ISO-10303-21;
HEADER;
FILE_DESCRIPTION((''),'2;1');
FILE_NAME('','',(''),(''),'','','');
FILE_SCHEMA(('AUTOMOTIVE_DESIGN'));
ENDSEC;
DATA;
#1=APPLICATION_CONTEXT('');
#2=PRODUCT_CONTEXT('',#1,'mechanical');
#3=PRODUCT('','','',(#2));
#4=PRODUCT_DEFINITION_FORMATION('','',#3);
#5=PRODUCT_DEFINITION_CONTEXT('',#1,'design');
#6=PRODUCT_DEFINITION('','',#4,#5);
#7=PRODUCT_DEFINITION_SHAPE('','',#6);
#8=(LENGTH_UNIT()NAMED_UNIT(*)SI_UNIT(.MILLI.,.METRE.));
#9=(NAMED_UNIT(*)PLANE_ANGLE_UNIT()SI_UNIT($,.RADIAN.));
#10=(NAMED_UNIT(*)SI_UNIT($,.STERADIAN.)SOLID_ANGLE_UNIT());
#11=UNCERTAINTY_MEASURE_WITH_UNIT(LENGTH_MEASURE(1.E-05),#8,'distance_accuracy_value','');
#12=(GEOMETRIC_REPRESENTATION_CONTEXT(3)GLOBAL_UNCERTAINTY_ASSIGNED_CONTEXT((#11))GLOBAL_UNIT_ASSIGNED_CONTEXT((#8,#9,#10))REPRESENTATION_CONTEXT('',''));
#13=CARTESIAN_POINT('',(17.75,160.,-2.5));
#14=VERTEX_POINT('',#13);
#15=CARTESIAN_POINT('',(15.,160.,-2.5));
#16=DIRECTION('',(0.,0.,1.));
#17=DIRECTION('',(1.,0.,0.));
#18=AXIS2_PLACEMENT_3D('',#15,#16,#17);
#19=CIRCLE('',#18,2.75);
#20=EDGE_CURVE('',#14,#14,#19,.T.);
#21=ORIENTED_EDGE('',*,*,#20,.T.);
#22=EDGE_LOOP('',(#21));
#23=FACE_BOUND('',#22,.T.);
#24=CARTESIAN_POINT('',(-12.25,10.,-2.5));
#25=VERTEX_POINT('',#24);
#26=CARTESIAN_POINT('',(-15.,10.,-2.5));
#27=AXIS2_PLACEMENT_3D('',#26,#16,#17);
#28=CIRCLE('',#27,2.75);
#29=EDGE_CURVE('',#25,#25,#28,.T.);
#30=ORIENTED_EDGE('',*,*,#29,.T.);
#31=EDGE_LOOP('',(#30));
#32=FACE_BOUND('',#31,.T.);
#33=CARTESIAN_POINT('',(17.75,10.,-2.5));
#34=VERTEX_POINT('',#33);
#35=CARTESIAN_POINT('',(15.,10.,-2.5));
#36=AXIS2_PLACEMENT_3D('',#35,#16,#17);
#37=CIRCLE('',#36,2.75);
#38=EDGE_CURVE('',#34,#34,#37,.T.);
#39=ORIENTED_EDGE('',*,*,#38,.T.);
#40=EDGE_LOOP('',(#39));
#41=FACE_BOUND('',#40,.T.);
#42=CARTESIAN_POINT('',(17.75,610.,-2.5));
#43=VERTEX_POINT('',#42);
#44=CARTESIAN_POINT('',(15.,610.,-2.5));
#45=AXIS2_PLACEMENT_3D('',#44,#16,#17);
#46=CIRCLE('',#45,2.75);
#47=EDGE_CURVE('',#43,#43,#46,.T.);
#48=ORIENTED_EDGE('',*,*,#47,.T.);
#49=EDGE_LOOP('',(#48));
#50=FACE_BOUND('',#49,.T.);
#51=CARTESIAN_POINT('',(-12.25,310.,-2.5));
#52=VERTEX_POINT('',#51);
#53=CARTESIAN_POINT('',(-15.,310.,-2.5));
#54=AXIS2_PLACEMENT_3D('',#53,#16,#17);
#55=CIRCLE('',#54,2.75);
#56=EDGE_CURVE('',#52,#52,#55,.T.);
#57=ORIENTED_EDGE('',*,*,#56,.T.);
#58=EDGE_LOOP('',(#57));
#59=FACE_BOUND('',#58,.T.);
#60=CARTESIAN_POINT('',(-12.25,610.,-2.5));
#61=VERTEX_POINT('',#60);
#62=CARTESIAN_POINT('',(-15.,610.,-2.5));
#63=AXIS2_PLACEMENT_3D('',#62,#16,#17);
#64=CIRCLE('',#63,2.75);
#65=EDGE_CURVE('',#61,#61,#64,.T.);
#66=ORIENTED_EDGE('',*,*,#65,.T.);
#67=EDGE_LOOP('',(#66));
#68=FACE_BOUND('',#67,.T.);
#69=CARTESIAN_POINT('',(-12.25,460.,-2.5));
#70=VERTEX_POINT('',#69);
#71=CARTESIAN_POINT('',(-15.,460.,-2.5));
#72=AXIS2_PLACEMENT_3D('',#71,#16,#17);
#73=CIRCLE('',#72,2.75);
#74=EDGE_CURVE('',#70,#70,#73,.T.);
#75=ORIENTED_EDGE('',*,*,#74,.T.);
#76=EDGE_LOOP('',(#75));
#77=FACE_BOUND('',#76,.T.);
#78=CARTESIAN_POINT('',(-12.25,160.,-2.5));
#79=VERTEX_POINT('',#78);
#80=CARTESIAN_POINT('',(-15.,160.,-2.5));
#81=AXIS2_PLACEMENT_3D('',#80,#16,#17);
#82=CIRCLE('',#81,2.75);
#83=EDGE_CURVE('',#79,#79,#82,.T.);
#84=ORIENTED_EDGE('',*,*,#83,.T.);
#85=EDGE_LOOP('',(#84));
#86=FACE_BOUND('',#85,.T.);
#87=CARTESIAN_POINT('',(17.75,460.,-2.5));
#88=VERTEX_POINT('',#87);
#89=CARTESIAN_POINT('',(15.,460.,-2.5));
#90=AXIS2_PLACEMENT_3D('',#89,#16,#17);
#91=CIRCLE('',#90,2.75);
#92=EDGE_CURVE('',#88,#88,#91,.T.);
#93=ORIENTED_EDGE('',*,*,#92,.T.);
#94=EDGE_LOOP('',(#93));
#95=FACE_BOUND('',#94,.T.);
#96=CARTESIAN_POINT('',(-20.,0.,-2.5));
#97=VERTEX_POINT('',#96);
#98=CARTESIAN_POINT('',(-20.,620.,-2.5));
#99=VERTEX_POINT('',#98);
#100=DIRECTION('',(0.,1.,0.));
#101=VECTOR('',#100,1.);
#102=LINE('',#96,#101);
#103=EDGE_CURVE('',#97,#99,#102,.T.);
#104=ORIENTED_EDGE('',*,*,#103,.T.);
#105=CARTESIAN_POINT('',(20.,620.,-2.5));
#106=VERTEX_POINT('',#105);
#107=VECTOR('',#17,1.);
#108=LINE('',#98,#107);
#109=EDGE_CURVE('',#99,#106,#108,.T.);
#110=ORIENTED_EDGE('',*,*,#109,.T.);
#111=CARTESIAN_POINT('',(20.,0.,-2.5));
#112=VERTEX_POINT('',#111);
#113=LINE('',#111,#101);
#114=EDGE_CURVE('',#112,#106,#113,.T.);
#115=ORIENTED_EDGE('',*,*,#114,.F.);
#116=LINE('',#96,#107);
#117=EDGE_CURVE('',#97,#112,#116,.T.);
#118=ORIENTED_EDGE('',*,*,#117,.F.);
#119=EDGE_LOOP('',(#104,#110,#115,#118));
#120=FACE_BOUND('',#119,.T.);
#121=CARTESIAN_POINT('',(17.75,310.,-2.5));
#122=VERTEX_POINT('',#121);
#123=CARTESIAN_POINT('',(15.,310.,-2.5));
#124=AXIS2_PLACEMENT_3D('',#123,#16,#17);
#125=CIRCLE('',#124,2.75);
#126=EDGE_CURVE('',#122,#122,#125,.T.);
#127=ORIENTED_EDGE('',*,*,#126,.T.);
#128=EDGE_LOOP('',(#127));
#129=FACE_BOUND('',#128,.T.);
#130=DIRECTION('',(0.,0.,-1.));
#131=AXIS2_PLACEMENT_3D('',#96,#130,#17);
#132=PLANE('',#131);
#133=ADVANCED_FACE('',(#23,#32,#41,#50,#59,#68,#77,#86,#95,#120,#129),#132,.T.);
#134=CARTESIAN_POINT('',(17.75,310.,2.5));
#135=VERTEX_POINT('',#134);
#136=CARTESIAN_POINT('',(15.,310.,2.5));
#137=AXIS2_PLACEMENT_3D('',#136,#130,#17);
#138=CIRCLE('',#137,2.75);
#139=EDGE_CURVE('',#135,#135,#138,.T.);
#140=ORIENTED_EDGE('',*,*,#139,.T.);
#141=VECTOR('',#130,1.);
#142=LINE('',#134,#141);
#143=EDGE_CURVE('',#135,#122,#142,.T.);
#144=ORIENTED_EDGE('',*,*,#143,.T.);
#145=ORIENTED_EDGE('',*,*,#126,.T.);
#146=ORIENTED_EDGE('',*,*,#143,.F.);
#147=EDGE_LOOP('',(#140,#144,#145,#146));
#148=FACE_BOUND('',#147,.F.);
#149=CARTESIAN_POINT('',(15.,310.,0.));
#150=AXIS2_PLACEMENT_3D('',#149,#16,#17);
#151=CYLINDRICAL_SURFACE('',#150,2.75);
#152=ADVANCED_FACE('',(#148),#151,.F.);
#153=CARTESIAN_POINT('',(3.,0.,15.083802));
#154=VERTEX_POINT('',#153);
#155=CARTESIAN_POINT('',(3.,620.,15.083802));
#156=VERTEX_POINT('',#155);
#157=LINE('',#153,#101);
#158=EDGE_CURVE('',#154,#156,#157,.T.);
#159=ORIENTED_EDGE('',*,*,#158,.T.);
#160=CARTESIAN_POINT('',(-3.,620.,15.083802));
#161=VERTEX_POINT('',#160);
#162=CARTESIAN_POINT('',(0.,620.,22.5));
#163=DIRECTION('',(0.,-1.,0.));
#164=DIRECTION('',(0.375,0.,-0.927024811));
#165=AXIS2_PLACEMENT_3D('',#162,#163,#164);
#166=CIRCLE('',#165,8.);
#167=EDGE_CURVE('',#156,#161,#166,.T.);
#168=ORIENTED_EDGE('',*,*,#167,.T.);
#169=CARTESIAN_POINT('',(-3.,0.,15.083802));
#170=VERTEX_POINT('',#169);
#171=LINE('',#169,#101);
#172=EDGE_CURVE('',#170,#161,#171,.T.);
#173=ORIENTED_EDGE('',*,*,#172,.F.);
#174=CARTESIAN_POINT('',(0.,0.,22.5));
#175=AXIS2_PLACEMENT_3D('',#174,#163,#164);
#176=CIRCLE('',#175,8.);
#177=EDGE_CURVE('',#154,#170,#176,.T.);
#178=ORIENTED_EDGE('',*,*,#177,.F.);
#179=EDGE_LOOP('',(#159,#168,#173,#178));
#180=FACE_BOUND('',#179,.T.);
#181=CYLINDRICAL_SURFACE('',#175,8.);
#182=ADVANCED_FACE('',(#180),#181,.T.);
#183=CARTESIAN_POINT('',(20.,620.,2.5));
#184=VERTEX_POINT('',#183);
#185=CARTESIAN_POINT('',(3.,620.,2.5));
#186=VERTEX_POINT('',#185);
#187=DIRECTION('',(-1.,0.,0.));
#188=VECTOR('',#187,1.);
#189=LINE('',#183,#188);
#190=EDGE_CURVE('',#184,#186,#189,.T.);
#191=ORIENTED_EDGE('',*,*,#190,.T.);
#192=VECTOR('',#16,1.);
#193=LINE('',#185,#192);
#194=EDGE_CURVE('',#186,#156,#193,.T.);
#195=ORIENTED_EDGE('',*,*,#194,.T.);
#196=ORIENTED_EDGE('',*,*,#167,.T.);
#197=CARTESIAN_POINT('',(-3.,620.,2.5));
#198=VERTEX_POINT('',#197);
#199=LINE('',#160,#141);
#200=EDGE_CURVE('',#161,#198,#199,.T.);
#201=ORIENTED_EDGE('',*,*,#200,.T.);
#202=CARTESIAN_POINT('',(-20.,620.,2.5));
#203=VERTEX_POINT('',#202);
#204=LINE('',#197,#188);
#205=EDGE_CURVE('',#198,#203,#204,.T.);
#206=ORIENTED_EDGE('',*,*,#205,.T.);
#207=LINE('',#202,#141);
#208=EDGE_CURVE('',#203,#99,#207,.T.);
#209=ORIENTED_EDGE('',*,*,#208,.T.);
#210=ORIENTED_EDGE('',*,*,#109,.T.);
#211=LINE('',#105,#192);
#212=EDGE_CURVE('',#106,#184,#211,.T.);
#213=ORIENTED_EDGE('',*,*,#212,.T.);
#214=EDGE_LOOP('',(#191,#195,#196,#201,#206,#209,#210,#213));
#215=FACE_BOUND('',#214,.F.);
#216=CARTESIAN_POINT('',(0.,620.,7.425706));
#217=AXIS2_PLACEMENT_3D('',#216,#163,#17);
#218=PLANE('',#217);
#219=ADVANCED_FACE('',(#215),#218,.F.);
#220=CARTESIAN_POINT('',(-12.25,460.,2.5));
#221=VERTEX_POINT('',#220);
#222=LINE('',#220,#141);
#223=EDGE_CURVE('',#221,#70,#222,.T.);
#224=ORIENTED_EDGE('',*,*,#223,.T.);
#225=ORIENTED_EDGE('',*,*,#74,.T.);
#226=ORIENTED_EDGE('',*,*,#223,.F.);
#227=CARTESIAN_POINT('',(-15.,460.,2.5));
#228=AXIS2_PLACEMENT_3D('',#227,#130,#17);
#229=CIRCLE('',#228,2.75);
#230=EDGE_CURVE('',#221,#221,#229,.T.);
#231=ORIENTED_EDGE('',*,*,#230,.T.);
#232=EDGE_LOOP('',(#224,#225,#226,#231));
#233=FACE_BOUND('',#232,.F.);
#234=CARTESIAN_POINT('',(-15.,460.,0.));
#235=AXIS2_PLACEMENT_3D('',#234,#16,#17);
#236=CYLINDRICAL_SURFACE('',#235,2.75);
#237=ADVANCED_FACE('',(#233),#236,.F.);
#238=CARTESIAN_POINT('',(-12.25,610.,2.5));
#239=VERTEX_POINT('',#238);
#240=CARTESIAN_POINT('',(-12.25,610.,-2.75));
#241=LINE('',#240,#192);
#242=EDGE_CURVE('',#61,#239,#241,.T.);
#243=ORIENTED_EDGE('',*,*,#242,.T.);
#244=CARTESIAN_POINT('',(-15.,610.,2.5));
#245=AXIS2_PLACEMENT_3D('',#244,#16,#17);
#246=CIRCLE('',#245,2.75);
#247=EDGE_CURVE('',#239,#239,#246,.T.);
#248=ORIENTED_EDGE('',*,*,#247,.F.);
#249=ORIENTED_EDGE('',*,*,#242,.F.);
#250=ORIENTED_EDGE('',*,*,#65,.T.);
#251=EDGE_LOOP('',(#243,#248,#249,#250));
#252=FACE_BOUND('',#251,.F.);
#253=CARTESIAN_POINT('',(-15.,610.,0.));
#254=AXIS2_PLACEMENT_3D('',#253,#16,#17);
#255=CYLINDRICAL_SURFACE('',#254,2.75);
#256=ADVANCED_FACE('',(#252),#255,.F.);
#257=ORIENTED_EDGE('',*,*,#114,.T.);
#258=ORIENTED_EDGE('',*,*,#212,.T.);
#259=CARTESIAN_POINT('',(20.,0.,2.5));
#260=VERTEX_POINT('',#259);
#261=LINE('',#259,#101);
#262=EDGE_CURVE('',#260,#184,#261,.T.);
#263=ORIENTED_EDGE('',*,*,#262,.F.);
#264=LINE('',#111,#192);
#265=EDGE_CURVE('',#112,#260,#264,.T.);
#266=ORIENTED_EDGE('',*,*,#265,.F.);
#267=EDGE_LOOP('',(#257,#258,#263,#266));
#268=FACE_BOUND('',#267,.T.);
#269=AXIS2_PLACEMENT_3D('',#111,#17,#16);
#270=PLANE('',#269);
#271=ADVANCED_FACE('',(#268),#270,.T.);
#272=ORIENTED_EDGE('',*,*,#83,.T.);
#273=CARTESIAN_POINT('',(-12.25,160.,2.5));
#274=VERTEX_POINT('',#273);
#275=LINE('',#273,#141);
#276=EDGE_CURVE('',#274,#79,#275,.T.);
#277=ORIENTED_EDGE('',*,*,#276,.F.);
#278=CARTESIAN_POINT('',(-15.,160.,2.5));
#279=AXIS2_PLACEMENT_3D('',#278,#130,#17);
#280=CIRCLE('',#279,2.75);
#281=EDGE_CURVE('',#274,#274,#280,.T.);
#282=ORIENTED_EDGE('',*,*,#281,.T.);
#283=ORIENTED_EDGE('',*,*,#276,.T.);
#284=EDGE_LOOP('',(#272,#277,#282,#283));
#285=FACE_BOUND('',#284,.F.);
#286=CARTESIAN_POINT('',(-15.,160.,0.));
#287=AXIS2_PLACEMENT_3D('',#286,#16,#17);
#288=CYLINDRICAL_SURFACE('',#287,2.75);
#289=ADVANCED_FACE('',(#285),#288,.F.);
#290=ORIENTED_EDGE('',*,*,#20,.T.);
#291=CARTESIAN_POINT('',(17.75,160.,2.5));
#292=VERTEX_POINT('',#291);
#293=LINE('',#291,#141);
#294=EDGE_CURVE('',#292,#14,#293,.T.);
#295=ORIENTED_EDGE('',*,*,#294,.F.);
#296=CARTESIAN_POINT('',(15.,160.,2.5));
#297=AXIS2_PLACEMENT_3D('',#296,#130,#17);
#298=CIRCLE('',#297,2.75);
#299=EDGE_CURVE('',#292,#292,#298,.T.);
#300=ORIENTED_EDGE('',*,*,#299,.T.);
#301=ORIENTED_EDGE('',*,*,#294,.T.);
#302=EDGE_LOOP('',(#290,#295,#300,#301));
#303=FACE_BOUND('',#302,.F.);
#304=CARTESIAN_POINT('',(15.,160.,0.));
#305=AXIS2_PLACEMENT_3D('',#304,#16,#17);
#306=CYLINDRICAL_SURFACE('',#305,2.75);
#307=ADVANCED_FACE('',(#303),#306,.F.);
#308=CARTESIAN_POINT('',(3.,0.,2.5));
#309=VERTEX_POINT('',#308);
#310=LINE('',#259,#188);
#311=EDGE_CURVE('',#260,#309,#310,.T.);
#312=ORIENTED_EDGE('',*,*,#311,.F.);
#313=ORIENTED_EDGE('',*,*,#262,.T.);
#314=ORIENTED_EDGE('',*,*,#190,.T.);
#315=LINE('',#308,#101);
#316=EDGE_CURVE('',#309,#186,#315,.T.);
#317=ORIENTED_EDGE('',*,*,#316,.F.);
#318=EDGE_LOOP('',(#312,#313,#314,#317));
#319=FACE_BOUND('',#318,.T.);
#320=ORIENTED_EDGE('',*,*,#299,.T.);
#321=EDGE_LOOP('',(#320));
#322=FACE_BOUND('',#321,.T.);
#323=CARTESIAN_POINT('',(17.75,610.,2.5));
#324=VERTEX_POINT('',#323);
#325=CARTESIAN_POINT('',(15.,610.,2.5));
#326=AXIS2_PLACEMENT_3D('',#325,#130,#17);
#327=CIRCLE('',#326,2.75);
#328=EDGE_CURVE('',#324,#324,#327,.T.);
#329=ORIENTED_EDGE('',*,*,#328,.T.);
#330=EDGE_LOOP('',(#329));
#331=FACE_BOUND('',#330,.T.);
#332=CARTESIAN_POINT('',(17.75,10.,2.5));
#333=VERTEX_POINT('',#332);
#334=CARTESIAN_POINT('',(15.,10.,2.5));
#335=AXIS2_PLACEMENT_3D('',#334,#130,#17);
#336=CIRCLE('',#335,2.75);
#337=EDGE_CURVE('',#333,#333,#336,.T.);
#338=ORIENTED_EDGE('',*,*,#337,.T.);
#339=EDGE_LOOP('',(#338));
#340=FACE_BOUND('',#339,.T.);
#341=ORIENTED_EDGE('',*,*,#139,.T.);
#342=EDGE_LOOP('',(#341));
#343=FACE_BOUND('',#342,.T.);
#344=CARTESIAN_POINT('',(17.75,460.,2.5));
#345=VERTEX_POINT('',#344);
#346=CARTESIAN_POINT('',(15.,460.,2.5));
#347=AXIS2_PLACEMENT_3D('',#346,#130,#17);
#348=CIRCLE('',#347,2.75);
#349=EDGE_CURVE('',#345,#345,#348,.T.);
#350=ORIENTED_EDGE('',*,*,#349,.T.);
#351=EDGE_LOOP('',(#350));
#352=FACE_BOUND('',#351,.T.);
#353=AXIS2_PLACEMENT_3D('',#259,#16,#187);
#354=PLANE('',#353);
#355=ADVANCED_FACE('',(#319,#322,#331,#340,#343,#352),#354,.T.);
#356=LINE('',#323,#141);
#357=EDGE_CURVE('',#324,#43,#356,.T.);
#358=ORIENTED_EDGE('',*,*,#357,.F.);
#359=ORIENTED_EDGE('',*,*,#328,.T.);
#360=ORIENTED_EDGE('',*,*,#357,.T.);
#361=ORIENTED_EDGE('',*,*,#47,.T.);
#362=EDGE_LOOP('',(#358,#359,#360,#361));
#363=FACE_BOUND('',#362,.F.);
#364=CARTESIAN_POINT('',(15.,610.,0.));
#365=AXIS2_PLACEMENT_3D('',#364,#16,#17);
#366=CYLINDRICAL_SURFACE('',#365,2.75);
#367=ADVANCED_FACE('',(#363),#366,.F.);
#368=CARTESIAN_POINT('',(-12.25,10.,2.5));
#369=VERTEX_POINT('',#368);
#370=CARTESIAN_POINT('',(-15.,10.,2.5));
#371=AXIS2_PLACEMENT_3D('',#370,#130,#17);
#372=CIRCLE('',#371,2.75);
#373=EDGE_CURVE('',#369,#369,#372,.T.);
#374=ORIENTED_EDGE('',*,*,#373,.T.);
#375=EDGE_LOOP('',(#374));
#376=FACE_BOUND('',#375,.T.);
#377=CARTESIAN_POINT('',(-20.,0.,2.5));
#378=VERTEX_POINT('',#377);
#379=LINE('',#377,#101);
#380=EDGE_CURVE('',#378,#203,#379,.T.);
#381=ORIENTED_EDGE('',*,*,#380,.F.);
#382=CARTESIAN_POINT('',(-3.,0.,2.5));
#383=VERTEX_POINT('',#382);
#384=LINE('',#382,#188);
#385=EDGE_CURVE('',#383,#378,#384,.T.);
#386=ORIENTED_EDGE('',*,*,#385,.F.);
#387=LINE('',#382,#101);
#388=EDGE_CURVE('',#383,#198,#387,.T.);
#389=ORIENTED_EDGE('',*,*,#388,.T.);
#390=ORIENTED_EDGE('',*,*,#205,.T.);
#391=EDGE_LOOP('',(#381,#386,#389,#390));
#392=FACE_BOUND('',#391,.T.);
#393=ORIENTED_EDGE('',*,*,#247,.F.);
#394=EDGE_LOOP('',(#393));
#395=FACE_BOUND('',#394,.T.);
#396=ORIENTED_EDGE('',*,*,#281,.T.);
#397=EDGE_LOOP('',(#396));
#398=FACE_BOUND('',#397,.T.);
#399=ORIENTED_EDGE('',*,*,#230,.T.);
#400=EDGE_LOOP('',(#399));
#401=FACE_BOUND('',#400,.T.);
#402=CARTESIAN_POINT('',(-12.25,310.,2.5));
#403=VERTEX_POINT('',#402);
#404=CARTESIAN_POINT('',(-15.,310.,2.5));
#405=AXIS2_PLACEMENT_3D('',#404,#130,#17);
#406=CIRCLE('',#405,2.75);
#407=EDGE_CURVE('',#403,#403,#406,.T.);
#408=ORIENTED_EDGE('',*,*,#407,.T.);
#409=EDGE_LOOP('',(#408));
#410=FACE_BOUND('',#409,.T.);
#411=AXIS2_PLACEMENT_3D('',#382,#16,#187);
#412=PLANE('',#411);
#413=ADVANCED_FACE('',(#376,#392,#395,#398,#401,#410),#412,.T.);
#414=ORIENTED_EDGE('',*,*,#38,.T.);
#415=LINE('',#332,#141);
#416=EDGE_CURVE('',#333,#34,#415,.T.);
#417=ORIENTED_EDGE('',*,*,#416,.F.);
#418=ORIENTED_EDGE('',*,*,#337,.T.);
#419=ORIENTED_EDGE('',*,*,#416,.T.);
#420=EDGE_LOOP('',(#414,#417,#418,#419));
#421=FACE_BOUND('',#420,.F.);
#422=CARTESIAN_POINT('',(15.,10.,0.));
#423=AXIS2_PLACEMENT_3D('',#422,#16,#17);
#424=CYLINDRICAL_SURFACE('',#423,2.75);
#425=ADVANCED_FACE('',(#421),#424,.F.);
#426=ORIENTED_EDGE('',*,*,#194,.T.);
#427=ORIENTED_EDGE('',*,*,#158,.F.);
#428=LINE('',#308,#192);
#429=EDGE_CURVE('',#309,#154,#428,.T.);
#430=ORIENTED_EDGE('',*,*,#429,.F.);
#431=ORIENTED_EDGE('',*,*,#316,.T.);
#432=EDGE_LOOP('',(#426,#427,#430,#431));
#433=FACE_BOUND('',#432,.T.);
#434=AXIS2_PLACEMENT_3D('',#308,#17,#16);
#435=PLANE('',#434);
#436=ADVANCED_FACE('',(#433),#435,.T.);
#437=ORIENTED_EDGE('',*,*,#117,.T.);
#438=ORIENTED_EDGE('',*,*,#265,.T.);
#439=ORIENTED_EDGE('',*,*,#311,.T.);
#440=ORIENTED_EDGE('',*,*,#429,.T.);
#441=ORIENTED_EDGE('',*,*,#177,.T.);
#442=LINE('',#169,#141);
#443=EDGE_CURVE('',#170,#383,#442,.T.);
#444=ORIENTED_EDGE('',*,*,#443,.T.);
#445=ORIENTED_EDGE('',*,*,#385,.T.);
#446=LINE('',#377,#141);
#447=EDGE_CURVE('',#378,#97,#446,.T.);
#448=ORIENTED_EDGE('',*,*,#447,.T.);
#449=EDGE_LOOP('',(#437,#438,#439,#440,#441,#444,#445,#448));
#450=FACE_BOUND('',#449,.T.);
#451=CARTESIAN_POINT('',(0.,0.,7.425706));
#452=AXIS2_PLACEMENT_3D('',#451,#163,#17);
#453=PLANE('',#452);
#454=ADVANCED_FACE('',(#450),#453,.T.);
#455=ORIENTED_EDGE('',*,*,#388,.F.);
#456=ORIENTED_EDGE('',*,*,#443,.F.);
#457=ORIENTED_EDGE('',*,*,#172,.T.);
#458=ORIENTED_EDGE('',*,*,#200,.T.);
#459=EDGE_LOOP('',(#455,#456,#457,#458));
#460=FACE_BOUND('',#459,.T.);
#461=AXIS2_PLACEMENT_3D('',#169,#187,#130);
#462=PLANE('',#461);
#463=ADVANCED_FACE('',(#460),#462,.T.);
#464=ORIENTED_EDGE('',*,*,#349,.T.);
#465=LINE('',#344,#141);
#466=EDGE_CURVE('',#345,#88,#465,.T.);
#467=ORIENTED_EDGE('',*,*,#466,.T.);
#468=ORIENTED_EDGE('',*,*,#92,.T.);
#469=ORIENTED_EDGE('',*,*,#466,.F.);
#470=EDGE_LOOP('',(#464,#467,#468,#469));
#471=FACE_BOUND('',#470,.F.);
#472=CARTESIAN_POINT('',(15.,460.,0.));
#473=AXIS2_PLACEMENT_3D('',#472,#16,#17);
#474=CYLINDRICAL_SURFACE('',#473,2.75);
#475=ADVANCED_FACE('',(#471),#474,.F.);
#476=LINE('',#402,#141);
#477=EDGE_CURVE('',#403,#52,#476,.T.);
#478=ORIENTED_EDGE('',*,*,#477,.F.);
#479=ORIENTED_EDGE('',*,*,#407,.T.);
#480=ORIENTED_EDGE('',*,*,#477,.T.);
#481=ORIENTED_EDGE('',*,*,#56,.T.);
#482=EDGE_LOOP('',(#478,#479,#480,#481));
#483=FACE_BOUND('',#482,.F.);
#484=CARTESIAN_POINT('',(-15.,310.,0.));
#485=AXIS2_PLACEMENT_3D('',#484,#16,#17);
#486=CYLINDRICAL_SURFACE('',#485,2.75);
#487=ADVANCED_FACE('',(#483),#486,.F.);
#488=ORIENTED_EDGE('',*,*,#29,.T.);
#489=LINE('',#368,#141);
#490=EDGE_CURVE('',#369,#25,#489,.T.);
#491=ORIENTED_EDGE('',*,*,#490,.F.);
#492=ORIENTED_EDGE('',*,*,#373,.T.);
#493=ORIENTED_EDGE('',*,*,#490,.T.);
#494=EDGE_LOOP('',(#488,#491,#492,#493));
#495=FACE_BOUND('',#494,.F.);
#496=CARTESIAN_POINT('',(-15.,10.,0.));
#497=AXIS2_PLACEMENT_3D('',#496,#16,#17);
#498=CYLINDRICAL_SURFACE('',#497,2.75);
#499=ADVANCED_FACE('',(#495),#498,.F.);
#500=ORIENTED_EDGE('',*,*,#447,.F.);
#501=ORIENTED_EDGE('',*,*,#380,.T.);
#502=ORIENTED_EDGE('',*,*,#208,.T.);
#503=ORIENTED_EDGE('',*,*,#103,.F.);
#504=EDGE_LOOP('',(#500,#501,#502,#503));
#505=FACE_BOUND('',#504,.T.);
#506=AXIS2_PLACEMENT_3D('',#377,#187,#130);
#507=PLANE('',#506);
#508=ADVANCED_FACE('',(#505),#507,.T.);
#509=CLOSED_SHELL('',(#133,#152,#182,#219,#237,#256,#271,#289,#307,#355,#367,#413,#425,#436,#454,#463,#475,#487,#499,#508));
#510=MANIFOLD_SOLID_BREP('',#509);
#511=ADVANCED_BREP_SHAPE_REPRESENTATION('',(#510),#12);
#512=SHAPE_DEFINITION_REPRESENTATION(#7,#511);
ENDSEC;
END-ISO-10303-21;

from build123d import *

# Parameters (mm, degrees)
F2_DEPTH = 620
F1_R     = 2.75
F3_DEPTH = 2.75


with BuildPart() as f2:
    # F0 (on Front) → F2 (new body)
    with BuildSketch(Plane.XZ):
        with BuildLine():
            Line((20, -2.5), (20, 2.5))
            Line((20, 2.5), (3, 2.5))
            Line((3, 2.5), (3, 15.0838015129))
            ThreePointArc((3, 15.0838015129), (0, 30.5), (-3, 15.0838015129))
            Line((-3, 15.0838015129), (-3, 2.5))
            Line((-3, 2.5), (-20, 2.5))
            Line((-20, 2.5), (-20, -2.5))
            Line((-20, -2.5), (20, -2.5))
        make_face()
    extrude(amount=-F2_DEPTH)

    # F1 (on Top) → F3 (cut, symmetric)
    with BuildSketch(Plane.XY):
        with Locations((15, 10)):
            Circle(F1_R)
        with Locations((15, 160)):
            Circle(F1_R)
        with Locations((15, 310)):
            Circle(F1_R)
        with Locations((15, 460)):
            Circle(F1_R)
        with Locations((15, 610)):
            Circle(F1_R)
        with Locations((-15, 10)):
            Circle(F1_R)
        with Locations((-15, 160)):
            Circle(F1_R)
        with Locations((-15, 310)):
            Circle(F1_R)
        with Locations((-15, 460)):
            Circle(F1_R)
        with Locations((-15, 610)):
            Circle(F1_R)
    extrude(amount=F3_DEPTH, both=True, mode=Mode.SUBTRACT)


solid = f2.part
